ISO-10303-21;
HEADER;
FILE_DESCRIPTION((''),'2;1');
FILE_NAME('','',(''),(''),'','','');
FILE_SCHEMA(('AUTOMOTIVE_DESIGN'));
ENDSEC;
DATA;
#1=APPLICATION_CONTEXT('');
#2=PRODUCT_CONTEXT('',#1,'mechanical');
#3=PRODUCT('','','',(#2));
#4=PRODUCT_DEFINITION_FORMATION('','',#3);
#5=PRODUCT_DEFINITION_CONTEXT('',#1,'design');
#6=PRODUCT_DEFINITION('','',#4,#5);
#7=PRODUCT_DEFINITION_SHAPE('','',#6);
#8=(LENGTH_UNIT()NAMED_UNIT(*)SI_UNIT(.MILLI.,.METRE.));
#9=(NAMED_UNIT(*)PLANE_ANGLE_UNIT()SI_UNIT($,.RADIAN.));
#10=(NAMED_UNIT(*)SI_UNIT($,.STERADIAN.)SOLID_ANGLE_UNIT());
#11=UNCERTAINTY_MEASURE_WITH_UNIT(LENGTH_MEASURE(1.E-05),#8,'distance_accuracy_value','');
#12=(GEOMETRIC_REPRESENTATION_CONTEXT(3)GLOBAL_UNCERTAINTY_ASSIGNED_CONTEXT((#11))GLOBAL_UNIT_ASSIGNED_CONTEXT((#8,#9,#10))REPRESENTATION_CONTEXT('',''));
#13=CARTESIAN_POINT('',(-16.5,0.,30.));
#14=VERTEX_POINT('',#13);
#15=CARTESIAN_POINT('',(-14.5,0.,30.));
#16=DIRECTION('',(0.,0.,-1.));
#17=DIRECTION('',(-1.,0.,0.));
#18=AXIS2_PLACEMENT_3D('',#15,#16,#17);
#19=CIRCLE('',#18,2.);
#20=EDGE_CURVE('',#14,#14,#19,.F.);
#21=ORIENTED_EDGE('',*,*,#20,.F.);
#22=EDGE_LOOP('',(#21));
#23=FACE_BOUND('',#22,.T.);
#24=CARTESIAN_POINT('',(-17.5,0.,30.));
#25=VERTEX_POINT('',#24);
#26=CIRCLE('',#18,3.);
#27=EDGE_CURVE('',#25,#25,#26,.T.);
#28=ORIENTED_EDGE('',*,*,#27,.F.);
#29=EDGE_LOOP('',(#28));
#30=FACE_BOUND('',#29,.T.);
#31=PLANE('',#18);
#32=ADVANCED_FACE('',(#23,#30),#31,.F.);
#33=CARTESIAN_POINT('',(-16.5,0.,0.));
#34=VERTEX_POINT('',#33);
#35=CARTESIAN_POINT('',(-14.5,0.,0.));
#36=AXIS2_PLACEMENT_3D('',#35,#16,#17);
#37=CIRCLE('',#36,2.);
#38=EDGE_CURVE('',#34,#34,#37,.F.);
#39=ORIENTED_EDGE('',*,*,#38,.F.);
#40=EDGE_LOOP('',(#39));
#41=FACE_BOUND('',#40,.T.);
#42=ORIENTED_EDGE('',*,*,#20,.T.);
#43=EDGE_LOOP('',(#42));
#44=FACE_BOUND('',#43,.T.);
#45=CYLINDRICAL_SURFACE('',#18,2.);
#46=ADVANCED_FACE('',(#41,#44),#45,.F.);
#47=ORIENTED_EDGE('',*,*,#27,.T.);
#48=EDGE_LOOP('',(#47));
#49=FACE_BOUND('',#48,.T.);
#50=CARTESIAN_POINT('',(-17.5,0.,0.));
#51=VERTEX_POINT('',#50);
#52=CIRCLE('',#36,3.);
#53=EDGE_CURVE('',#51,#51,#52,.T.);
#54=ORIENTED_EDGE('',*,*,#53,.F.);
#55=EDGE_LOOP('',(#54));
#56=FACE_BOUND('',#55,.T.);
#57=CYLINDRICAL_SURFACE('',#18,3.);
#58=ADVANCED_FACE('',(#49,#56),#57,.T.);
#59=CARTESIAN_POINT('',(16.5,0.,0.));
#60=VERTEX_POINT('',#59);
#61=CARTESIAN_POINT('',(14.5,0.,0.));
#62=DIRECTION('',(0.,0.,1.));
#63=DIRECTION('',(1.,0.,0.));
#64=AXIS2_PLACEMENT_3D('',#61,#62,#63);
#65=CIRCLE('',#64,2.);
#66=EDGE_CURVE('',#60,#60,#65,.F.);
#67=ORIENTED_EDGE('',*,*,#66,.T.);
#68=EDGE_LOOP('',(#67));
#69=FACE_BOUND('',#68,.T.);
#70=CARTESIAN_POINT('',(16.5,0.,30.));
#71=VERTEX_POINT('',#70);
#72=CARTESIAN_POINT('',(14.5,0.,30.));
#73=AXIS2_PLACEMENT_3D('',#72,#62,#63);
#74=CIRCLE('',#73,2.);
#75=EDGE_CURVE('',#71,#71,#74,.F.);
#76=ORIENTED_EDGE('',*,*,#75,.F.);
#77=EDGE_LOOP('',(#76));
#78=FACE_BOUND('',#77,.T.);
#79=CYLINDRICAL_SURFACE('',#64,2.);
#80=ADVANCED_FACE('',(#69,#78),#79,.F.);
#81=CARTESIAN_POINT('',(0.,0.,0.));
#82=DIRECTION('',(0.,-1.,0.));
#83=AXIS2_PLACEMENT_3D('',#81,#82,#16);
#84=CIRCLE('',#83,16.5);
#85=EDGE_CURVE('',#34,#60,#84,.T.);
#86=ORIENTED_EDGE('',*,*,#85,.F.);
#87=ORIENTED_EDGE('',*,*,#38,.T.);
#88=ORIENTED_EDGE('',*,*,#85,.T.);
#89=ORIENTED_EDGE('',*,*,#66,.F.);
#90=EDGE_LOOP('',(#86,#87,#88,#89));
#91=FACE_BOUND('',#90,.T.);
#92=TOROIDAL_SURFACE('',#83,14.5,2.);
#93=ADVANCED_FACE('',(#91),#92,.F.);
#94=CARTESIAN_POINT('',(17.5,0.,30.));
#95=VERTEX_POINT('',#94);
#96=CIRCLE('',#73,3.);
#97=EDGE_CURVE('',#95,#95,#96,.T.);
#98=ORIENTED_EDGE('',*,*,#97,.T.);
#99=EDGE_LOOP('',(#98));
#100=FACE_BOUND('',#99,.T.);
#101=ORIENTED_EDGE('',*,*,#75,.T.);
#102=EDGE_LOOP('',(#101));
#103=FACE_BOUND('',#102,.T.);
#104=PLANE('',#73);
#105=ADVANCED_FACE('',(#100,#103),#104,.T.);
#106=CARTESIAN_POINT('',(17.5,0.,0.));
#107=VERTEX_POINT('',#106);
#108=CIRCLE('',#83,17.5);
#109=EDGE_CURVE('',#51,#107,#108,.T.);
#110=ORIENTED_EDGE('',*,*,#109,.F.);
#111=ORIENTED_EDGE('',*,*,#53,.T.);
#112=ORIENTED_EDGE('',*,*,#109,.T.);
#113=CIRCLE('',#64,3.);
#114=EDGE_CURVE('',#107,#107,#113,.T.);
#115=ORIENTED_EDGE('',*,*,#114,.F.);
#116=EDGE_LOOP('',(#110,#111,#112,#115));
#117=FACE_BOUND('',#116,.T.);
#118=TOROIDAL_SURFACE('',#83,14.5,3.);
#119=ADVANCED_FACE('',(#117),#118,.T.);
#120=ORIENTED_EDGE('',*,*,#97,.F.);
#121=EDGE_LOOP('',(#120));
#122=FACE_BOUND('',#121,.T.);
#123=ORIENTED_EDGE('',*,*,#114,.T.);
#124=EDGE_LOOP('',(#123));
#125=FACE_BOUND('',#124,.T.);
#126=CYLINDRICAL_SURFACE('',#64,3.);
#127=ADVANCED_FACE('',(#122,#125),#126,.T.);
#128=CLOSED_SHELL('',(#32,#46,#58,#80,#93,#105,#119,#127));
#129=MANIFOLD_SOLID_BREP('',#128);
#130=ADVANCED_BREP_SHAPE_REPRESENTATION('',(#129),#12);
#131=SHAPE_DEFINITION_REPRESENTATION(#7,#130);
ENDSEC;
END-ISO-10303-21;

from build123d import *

# Parameters (mm, degrees)
SKETCH2_R   = 3
SKETCH2_R_2 = 2


with BuildPart() as part:
    # Sweep1: sweep along a path in Sketch1
    with BuildLine(Plane(origin=(0, 0, 0), x_dir=(1, 0, 0), z_dir=(0, 1, 0))) as sweep1_path:
        Line((-14.5, -30), (-14.5, 0))
        ThreePointArc((-14.5, 0), (0, 14.5), (14.5, 0))
        Line((14.5, 0), (14.5, -30))
    # Sketch2 → Sweep1 (sweep)
    with BuildSketch(Plane(origin=(-14.5, 0, 30), x_dir=(-1, 0, 0), z_dir=(0, 0, -1))):
        Circle(SKETCH2_R)
        Circle(SKETCH2_R_2, mode=Mode.SUBTRACT)
    sweep(path=sweep1_path.line)


solid = part.part
